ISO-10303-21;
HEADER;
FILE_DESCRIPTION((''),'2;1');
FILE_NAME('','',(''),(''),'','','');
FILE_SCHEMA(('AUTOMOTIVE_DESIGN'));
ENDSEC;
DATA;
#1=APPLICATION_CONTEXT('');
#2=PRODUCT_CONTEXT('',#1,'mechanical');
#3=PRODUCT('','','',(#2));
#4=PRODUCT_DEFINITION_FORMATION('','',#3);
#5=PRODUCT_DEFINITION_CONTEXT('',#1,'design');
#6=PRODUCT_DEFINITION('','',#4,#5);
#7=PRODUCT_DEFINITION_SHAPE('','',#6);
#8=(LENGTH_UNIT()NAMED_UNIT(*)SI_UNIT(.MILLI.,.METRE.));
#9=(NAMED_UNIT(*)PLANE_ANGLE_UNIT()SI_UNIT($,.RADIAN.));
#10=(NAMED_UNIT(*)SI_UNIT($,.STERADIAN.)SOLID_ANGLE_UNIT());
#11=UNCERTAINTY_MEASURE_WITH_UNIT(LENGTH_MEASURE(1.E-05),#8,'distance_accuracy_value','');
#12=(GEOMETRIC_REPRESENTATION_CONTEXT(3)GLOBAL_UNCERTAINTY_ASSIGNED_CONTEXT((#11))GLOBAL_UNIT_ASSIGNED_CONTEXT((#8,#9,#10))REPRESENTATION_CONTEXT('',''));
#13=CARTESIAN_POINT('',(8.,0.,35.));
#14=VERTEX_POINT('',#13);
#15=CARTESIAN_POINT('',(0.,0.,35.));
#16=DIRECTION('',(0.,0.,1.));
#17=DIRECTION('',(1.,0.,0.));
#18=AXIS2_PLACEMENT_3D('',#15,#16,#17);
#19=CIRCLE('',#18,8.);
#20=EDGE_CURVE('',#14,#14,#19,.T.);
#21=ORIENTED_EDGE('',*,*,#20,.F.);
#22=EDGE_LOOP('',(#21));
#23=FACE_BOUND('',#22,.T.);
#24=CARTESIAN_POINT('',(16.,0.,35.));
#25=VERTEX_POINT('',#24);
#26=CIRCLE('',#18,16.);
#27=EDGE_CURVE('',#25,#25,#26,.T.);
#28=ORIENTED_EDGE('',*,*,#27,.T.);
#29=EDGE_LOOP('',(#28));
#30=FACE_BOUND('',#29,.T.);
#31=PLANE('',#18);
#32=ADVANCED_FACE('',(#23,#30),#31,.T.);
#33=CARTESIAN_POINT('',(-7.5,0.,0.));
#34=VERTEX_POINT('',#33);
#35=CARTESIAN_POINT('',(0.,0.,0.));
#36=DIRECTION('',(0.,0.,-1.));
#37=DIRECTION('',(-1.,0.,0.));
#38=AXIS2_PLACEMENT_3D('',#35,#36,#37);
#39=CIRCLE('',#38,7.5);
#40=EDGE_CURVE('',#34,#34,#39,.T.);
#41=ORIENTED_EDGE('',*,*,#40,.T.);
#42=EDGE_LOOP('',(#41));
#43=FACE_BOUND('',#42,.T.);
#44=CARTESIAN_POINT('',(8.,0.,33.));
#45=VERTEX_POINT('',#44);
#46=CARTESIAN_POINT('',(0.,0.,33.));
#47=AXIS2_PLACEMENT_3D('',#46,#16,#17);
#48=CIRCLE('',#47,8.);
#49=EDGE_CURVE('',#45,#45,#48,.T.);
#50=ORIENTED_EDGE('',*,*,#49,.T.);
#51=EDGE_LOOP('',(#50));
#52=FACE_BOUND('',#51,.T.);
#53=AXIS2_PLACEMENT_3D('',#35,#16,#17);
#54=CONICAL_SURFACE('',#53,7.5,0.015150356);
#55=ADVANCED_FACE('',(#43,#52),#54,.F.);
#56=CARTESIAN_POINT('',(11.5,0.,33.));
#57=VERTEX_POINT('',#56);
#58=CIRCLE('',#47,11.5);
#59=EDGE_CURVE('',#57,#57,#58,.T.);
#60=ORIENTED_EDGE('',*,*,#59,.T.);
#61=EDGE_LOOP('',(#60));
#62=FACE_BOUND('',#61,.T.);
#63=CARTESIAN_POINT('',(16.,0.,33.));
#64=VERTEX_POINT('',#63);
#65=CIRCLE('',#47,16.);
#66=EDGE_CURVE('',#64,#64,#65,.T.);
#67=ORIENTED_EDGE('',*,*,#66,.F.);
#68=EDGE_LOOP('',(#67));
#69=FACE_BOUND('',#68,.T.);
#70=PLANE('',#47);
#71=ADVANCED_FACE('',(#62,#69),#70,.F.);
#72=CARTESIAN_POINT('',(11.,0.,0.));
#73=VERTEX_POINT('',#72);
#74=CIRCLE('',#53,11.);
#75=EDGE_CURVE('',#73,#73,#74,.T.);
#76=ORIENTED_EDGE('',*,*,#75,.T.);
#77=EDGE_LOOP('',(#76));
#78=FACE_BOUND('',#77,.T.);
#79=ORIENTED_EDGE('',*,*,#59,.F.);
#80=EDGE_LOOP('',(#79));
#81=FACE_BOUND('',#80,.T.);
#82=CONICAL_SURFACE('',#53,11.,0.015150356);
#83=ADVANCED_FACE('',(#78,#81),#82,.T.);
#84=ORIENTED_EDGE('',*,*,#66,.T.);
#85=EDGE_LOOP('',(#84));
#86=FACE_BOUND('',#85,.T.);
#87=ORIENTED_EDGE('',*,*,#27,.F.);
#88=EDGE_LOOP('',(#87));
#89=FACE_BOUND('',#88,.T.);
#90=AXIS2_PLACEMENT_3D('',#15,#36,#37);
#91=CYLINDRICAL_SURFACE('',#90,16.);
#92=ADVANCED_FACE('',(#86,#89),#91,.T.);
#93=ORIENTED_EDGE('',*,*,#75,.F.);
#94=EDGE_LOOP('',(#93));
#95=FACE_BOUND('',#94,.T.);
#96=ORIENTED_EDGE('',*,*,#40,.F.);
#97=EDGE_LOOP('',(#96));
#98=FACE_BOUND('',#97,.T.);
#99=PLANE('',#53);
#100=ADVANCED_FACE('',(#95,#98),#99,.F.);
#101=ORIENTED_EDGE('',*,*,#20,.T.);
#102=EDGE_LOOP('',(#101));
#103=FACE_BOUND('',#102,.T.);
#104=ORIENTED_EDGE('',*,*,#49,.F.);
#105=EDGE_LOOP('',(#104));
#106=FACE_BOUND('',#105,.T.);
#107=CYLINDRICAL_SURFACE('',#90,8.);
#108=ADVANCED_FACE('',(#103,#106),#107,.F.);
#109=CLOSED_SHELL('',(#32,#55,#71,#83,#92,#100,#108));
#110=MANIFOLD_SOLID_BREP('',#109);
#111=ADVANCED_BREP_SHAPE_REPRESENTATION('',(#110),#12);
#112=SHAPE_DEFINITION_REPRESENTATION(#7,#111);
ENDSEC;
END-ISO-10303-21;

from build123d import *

# Parameters (mm, degrees)
CROQUIS1_R              = 11
CROQUIS3_R              = 11.5
CROQUIS4_R              = 7.5
CROQUIS5_R              = 8
CROQUIS6_R              = 16
CROQUIS6_R_2            = 8
SALIENTE_EXTRUIR1_DEPTH = 2


with BuildPart() as part:
    # Croquis1 → Recubrir1 section 0
    with BuildSketch(Plane.XY):
        Circle(CROQUIS1_R)
    # Croquis3 → Recubrir1 section 1
    with BuildSketch(Plane.XY.offset(33)):
        Circle(CROQUIS3_R)
    loft()

    # Croquis4 → Cortar-Recubrir1 section 0
    with BuildSketch(Plane(origin=(0, 0, 0), x_dir=(-1, 0, 0), z_dir=(0, 0, -1))):
        Circle(CROQUIS4_R)
    # Croquis5 → Cortar-Recubrir1 section 1
    with BuildSketch(Plane.XY.offset(33)):
        Circle(CROQUIS5_R)
    loft(mode=Mode.SUBTRACT)

    # Croquis6 → Saliente-Extruir1 (add)
    with BuildSketch(Plane.XY.offset(33)):
        Circle(CROQUIS6_R)
        Circle(CROQUIS6_R_2, mode=Mode.SUBTRACT)
    extrude(amount=SALIENTE_EXTRUIR1_DEPTH)


solid = part.part
